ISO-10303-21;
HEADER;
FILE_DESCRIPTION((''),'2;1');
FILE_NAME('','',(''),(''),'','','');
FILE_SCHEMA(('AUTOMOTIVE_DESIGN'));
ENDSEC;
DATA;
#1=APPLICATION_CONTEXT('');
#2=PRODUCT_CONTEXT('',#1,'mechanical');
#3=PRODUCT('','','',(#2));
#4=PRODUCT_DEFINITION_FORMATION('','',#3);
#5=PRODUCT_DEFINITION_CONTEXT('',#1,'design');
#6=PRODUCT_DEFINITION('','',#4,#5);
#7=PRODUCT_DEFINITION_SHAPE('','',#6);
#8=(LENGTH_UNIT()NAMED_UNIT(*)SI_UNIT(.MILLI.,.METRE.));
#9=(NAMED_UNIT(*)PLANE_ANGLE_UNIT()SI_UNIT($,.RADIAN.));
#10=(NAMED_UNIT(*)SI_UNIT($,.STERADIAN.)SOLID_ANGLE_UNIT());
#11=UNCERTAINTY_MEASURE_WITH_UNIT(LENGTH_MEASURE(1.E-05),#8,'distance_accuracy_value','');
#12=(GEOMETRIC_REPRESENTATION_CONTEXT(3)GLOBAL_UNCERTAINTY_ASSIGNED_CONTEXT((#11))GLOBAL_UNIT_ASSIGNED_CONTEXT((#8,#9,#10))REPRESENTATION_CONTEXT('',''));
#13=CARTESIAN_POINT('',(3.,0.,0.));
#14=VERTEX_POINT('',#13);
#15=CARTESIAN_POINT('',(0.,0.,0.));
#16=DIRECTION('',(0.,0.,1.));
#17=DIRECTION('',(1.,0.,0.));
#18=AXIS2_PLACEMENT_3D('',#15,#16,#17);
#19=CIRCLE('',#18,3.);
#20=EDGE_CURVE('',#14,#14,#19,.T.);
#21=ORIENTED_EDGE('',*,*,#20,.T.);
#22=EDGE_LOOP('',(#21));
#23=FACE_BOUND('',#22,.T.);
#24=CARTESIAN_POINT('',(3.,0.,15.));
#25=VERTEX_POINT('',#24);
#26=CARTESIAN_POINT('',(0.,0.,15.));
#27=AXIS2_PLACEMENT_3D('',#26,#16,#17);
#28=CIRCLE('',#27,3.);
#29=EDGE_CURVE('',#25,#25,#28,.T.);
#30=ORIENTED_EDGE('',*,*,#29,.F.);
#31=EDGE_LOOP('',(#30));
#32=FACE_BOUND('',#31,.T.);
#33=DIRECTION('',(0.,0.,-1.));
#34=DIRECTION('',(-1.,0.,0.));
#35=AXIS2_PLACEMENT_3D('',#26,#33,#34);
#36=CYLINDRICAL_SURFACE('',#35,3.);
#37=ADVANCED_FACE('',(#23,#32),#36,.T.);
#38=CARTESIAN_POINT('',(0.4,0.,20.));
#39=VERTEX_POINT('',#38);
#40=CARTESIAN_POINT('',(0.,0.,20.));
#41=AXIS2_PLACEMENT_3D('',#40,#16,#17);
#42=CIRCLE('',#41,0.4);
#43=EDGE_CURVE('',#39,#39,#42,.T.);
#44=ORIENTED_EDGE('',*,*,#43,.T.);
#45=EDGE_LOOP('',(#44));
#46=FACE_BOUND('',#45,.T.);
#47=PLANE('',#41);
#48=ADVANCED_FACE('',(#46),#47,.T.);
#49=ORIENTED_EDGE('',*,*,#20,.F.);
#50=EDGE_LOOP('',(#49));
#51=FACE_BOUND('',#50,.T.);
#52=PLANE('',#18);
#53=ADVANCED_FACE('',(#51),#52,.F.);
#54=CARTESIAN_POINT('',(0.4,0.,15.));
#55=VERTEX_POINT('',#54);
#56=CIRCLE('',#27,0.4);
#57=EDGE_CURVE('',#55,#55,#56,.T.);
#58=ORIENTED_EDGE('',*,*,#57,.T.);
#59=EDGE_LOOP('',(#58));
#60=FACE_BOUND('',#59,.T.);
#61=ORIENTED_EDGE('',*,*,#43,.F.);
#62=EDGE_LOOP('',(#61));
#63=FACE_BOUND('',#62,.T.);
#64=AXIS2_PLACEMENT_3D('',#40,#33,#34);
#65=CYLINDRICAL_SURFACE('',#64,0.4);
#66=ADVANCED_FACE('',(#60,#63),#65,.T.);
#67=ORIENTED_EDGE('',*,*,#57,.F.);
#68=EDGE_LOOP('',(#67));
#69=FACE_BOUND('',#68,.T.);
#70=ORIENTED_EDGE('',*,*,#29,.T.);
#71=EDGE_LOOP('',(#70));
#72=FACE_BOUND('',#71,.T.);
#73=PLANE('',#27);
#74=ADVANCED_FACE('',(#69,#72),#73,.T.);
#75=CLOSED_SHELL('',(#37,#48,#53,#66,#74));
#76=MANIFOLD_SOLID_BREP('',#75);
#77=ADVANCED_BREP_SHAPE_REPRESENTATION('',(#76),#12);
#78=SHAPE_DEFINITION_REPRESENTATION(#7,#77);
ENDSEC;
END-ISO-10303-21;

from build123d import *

# Parameters (mm, degrees)
SKETCH1_R           = 3
BOSS_EXTRUDE1_DEPTH = 15
SKETCH2_R           = 0.4
BOSS_EXTRUDE2_DEPTH = 5


with BuildPart() as part:
    # Sketch1 → Boss-Extrude1 (new body)
    with BuildSketch(Plane.XY):
        Circle(SKETCH1_R)
    extrude(amount=BOSS_EXTRUDE1_DEPTH)

    # Sketch2 → Boss-Extrude2 (add)
    with BuildSketch(Plane.XY.offset(15)):
        Circle(SKETCH2_R)
    extrude(amount=BOSS_EXTRUDE2_DEPTH)


solid = part.part
